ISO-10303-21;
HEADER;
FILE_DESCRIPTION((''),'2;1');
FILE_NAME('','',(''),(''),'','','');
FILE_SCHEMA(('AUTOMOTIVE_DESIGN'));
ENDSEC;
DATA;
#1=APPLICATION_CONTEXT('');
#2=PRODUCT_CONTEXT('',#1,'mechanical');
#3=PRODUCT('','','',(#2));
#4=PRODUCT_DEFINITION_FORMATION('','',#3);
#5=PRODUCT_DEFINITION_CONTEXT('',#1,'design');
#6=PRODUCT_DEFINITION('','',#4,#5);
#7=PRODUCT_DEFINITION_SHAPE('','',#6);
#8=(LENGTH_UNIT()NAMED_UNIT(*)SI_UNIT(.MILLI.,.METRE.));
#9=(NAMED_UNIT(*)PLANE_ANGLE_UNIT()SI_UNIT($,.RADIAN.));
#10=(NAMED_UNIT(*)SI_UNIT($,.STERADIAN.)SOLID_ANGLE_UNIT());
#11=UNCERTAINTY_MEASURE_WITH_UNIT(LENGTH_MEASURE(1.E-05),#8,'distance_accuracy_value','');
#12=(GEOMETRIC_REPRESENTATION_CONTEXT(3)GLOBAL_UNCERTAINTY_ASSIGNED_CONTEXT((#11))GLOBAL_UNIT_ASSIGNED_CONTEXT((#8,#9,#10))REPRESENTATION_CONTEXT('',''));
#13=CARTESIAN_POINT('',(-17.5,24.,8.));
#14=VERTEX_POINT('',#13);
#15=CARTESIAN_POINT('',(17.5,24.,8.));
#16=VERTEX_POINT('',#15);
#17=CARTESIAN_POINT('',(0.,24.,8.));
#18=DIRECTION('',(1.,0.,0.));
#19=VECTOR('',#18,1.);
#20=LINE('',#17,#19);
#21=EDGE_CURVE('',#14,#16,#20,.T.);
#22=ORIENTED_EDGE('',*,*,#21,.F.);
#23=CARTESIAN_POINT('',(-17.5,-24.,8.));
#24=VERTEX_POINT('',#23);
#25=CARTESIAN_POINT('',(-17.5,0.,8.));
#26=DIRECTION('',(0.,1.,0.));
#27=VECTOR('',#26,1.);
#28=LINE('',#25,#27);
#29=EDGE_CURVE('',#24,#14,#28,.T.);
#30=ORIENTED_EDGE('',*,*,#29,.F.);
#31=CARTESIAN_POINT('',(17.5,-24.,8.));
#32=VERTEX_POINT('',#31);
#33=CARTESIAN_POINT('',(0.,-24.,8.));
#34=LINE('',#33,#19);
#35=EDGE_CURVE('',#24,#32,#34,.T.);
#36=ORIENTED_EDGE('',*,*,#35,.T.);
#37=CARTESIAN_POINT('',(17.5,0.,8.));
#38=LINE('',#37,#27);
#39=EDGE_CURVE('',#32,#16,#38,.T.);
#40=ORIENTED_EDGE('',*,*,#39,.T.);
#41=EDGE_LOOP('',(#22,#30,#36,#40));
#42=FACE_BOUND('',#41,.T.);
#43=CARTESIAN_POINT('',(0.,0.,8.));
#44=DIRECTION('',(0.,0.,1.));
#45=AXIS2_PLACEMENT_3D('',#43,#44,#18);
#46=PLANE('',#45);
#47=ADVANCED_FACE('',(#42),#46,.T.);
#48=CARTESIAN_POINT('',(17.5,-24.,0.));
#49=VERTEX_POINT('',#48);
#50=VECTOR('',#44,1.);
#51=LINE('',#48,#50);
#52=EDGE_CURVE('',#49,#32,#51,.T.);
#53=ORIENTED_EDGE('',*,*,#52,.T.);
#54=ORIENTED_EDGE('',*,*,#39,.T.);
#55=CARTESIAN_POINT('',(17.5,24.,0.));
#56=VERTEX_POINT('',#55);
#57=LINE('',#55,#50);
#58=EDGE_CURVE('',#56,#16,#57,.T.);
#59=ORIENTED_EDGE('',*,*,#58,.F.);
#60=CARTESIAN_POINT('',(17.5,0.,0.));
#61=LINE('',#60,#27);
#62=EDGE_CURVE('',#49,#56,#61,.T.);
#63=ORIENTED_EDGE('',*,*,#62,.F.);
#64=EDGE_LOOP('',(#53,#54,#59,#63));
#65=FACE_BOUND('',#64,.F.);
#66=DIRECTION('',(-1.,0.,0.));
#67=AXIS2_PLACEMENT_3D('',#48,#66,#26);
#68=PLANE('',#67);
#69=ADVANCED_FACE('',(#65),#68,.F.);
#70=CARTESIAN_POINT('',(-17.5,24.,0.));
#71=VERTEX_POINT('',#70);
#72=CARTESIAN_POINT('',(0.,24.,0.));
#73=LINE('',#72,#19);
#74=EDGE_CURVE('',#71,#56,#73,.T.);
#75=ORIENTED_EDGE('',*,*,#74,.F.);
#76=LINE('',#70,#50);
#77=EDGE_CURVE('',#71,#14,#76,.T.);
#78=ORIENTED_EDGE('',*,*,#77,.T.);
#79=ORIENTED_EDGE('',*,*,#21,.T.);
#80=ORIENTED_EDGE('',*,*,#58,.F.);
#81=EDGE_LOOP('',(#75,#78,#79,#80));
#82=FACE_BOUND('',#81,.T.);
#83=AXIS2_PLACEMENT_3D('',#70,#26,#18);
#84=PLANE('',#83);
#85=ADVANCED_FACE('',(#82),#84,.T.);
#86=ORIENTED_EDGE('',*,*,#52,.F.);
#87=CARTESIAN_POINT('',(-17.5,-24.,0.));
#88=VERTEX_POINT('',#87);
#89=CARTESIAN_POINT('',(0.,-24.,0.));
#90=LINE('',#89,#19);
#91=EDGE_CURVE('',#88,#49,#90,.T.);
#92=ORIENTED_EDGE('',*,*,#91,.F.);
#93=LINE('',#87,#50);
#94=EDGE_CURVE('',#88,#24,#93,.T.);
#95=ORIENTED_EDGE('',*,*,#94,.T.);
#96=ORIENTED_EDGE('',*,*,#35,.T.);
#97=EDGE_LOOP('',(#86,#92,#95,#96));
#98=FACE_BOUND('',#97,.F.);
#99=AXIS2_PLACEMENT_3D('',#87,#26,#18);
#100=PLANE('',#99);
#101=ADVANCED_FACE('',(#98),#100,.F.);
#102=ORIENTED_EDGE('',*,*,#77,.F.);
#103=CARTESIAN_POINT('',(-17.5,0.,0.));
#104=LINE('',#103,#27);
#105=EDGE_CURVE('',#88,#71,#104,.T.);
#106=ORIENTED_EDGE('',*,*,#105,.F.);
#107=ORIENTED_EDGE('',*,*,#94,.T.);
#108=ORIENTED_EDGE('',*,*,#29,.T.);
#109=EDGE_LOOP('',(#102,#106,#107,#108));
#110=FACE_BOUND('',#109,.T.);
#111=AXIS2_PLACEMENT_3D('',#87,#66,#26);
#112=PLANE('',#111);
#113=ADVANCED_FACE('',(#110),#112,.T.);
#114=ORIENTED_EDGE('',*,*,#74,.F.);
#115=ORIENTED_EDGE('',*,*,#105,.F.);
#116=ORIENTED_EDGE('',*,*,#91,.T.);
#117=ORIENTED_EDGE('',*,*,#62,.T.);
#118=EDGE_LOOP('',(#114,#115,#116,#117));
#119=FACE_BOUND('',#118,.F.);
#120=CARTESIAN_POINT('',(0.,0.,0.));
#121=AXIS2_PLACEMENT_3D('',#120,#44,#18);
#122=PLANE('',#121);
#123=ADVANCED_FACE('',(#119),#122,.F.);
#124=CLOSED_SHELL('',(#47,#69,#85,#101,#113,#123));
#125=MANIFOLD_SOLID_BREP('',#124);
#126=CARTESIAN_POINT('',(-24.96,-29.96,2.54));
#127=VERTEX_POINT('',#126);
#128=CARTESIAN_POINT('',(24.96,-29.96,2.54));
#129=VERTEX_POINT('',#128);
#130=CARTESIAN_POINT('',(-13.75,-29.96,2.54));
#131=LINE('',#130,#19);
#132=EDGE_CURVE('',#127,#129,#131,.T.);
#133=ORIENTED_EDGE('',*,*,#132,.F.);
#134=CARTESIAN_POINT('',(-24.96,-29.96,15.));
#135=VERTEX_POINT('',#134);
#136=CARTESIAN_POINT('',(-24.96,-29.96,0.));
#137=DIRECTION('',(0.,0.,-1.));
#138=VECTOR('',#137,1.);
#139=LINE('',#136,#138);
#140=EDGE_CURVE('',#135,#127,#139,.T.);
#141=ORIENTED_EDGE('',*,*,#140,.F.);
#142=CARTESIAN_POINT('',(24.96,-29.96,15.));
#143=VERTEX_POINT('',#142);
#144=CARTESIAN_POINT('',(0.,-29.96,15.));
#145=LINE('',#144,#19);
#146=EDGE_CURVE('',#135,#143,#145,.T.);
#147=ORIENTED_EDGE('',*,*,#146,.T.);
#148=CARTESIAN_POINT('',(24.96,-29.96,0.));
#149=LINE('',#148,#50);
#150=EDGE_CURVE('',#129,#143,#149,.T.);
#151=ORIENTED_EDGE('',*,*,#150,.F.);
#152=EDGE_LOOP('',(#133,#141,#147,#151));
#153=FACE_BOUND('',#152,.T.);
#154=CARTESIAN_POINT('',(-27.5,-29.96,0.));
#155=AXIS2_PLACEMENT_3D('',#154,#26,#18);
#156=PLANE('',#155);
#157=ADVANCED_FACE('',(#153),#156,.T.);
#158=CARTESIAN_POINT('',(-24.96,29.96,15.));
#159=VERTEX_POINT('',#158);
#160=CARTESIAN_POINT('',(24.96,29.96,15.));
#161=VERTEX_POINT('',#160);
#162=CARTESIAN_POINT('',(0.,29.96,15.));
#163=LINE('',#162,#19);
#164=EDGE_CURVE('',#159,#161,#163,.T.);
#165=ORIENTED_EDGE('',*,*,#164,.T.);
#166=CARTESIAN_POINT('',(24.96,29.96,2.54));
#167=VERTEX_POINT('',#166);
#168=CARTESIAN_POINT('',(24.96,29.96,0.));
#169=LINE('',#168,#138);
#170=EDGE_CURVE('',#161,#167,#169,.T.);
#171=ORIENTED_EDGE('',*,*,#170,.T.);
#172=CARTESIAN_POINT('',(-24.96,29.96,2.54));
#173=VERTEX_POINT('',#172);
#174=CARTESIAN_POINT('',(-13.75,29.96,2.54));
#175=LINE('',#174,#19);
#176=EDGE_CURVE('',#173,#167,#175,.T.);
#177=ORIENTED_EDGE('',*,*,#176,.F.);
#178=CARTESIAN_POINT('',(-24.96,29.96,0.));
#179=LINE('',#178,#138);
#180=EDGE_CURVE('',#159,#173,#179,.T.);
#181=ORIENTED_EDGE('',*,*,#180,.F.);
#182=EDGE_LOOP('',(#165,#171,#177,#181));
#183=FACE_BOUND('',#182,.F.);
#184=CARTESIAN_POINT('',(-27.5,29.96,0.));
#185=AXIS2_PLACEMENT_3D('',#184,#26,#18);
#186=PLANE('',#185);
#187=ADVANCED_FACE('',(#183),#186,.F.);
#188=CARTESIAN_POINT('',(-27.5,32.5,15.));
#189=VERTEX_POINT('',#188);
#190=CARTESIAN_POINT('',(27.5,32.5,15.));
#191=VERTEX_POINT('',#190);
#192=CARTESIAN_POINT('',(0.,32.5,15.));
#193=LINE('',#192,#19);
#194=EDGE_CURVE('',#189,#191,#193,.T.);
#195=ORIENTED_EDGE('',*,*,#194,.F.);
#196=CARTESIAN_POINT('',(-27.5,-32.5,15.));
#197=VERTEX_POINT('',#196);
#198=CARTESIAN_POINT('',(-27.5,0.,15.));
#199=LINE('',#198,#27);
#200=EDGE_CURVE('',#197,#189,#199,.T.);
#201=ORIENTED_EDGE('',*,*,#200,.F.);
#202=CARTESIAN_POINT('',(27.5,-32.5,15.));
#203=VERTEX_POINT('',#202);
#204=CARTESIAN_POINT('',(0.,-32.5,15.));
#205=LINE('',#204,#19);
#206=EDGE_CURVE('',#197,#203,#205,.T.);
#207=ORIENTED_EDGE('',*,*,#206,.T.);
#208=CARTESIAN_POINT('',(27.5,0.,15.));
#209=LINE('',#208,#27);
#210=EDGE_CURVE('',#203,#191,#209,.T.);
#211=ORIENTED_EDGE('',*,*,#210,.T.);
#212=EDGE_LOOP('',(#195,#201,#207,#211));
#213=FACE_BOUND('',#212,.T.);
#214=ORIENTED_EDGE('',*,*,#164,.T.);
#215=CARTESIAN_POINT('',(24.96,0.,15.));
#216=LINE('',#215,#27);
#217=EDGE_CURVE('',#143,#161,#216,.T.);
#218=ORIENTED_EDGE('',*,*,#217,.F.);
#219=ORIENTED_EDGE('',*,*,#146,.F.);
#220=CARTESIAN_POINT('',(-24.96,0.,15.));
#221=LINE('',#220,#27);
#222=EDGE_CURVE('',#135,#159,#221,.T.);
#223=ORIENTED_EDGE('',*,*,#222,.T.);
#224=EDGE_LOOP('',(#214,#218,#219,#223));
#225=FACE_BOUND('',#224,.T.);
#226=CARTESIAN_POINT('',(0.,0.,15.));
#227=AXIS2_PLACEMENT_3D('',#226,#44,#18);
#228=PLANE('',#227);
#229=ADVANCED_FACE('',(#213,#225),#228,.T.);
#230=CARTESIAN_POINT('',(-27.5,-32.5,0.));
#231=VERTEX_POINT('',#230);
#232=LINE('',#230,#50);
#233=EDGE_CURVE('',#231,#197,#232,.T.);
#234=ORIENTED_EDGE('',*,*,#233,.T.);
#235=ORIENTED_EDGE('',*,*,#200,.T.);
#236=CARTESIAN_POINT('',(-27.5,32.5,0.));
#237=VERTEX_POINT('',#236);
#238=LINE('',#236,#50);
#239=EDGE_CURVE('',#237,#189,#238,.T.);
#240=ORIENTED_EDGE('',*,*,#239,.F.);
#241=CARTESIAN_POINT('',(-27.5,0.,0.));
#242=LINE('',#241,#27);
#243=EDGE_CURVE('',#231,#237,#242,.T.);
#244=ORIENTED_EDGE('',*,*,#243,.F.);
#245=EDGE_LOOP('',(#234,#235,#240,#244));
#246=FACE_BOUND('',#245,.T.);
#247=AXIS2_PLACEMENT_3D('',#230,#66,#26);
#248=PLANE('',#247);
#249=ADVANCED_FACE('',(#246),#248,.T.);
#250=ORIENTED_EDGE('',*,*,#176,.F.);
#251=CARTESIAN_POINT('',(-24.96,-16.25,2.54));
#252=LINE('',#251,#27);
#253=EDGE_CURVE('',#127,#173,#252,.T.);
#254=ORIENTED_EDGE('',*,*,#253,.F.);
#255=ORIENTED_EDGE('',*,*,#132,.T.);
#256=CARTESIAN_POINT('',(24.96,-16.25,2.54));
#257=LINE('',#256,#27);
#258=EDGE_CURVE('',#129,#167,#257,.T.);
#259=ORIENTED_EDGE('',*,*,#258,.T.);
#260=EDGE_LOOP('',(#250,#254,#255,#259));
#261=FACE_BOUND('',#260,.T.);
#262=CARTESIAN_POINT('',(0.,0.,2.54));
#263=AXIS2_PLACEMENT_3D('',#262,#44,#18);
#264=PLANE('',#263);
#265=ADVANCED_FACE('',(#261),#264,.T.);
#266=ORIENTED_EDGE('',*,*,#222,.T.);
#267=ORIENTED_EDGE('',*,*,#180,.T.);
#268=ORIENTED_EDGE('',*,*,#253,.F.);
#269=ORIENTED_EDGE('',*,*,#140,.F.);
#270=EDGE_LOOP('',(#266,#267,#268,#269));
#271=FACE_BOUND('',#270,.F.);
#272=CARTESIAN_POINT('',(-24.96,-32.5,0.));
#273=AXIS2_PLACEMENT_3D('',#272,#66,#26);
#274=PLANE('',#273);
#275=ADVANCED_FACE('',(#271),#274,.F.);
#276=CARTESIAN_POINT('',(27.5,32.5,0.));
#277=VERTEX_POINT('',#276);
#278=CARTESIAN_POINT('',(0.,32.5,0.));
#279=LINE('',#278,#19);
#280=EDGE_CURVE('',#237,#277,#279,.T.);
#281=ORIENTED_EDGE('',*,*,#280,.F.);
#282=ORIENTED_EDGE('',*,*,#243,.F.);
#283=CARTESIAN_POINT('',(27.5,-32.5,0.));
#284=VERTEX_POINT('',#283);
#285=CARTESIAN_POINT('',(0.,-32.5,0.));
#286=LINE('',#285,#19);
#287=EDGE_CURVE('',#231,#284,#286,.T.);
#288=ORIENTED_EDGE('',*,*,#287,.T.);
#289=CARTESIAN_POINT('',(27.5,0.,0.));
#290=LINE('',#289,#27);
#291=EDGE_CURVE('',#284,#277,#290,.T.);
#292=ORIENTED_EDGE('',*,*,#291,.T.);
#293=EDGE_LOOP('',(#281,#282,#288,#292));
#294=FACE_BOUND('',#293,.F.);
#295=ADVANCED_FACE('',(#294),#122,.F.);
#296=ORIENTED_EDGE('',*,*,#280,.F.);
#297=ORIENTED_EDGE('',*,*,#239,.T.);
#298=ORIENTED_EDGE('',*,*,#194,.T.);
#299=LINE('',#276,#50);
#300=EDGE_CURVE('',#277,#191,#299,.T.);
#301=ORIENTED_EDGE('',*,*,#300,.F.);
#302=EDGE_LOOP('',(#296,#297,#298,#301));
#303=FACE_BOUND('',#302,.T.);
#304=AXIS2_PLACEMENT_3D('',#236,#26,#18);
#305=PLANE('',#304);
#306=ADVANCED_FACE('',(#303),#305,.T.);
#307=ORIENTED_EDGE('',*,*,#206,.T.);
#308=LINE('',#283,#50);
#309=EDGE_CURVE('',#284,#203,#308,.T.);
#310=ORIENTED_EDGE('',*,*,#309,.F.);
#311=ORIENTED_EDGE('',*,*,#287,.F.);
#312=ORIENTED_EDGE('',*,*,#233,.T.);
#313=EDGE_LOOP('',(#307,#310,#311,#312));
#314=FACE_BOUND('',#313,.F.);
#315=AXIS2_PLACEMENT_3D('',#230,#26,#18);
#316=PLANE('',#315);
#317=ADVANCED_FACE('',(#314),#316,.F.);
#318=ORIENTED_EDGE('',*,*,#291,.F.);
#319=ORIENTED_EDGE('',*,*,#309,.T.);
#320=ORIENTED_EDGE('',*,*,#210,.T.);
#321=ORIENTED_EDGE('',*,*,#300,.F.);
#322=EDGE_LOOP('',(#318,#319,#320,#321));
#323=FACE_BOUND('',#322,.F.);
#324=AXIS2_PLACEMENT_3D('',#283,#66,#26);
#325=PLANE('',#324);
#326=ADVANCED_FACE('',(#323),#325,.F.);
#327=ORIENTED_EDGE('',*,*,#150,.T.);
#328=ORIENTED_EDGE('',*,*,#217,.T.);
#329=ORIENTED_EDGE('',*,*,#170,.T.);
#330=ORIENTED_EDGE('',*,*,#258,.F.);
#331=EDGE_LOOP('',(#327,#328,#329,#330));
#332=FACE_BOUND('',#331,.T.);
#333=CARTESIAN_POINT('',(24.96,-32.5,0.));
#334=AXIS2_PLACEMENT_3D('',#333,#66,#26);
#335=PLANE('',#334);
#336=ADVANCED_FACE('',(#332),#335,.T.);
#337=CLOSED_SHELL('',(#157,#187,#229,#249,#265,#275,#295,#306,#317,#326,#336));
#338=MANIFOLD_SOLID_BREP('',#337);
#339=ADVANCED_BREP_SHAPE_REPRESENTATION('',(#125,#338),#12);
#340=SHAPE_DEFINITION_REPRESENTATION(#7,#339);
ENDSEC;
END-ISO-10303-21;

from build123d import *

# Parameters (mm, degrees)
F0_W     = 55
F0_H     = 65
F1_DEPTH = 15
F2_T     = -2.54
F3_W     = 35
F3_H     = 48
F4_DEPTH = 8


with BuildPart() as f1:
    # F0 (on Top) → F1 (new body)
    with BuildSketch(Plane.XY):
        Rectangle(F0_W, F0_H)
    extrude(amount=F1_DEPTH)

    # F2
    f2_openings = [f1.faces().sort_by_distance(p)[0] for p in [
        (0, 0, 15),
    ]]
    offset(amount=F2_T, openings=f2_openings)


with BuildPart() as f4:
    # F3 (on Top) → F4 (new body)
    with BuildSketch(Plane.XY):
        Rectangle(F3_W, F3_H)
    extrude(amount=F4_DEPTH)


solid = Compound([f1.part, f4.part])
